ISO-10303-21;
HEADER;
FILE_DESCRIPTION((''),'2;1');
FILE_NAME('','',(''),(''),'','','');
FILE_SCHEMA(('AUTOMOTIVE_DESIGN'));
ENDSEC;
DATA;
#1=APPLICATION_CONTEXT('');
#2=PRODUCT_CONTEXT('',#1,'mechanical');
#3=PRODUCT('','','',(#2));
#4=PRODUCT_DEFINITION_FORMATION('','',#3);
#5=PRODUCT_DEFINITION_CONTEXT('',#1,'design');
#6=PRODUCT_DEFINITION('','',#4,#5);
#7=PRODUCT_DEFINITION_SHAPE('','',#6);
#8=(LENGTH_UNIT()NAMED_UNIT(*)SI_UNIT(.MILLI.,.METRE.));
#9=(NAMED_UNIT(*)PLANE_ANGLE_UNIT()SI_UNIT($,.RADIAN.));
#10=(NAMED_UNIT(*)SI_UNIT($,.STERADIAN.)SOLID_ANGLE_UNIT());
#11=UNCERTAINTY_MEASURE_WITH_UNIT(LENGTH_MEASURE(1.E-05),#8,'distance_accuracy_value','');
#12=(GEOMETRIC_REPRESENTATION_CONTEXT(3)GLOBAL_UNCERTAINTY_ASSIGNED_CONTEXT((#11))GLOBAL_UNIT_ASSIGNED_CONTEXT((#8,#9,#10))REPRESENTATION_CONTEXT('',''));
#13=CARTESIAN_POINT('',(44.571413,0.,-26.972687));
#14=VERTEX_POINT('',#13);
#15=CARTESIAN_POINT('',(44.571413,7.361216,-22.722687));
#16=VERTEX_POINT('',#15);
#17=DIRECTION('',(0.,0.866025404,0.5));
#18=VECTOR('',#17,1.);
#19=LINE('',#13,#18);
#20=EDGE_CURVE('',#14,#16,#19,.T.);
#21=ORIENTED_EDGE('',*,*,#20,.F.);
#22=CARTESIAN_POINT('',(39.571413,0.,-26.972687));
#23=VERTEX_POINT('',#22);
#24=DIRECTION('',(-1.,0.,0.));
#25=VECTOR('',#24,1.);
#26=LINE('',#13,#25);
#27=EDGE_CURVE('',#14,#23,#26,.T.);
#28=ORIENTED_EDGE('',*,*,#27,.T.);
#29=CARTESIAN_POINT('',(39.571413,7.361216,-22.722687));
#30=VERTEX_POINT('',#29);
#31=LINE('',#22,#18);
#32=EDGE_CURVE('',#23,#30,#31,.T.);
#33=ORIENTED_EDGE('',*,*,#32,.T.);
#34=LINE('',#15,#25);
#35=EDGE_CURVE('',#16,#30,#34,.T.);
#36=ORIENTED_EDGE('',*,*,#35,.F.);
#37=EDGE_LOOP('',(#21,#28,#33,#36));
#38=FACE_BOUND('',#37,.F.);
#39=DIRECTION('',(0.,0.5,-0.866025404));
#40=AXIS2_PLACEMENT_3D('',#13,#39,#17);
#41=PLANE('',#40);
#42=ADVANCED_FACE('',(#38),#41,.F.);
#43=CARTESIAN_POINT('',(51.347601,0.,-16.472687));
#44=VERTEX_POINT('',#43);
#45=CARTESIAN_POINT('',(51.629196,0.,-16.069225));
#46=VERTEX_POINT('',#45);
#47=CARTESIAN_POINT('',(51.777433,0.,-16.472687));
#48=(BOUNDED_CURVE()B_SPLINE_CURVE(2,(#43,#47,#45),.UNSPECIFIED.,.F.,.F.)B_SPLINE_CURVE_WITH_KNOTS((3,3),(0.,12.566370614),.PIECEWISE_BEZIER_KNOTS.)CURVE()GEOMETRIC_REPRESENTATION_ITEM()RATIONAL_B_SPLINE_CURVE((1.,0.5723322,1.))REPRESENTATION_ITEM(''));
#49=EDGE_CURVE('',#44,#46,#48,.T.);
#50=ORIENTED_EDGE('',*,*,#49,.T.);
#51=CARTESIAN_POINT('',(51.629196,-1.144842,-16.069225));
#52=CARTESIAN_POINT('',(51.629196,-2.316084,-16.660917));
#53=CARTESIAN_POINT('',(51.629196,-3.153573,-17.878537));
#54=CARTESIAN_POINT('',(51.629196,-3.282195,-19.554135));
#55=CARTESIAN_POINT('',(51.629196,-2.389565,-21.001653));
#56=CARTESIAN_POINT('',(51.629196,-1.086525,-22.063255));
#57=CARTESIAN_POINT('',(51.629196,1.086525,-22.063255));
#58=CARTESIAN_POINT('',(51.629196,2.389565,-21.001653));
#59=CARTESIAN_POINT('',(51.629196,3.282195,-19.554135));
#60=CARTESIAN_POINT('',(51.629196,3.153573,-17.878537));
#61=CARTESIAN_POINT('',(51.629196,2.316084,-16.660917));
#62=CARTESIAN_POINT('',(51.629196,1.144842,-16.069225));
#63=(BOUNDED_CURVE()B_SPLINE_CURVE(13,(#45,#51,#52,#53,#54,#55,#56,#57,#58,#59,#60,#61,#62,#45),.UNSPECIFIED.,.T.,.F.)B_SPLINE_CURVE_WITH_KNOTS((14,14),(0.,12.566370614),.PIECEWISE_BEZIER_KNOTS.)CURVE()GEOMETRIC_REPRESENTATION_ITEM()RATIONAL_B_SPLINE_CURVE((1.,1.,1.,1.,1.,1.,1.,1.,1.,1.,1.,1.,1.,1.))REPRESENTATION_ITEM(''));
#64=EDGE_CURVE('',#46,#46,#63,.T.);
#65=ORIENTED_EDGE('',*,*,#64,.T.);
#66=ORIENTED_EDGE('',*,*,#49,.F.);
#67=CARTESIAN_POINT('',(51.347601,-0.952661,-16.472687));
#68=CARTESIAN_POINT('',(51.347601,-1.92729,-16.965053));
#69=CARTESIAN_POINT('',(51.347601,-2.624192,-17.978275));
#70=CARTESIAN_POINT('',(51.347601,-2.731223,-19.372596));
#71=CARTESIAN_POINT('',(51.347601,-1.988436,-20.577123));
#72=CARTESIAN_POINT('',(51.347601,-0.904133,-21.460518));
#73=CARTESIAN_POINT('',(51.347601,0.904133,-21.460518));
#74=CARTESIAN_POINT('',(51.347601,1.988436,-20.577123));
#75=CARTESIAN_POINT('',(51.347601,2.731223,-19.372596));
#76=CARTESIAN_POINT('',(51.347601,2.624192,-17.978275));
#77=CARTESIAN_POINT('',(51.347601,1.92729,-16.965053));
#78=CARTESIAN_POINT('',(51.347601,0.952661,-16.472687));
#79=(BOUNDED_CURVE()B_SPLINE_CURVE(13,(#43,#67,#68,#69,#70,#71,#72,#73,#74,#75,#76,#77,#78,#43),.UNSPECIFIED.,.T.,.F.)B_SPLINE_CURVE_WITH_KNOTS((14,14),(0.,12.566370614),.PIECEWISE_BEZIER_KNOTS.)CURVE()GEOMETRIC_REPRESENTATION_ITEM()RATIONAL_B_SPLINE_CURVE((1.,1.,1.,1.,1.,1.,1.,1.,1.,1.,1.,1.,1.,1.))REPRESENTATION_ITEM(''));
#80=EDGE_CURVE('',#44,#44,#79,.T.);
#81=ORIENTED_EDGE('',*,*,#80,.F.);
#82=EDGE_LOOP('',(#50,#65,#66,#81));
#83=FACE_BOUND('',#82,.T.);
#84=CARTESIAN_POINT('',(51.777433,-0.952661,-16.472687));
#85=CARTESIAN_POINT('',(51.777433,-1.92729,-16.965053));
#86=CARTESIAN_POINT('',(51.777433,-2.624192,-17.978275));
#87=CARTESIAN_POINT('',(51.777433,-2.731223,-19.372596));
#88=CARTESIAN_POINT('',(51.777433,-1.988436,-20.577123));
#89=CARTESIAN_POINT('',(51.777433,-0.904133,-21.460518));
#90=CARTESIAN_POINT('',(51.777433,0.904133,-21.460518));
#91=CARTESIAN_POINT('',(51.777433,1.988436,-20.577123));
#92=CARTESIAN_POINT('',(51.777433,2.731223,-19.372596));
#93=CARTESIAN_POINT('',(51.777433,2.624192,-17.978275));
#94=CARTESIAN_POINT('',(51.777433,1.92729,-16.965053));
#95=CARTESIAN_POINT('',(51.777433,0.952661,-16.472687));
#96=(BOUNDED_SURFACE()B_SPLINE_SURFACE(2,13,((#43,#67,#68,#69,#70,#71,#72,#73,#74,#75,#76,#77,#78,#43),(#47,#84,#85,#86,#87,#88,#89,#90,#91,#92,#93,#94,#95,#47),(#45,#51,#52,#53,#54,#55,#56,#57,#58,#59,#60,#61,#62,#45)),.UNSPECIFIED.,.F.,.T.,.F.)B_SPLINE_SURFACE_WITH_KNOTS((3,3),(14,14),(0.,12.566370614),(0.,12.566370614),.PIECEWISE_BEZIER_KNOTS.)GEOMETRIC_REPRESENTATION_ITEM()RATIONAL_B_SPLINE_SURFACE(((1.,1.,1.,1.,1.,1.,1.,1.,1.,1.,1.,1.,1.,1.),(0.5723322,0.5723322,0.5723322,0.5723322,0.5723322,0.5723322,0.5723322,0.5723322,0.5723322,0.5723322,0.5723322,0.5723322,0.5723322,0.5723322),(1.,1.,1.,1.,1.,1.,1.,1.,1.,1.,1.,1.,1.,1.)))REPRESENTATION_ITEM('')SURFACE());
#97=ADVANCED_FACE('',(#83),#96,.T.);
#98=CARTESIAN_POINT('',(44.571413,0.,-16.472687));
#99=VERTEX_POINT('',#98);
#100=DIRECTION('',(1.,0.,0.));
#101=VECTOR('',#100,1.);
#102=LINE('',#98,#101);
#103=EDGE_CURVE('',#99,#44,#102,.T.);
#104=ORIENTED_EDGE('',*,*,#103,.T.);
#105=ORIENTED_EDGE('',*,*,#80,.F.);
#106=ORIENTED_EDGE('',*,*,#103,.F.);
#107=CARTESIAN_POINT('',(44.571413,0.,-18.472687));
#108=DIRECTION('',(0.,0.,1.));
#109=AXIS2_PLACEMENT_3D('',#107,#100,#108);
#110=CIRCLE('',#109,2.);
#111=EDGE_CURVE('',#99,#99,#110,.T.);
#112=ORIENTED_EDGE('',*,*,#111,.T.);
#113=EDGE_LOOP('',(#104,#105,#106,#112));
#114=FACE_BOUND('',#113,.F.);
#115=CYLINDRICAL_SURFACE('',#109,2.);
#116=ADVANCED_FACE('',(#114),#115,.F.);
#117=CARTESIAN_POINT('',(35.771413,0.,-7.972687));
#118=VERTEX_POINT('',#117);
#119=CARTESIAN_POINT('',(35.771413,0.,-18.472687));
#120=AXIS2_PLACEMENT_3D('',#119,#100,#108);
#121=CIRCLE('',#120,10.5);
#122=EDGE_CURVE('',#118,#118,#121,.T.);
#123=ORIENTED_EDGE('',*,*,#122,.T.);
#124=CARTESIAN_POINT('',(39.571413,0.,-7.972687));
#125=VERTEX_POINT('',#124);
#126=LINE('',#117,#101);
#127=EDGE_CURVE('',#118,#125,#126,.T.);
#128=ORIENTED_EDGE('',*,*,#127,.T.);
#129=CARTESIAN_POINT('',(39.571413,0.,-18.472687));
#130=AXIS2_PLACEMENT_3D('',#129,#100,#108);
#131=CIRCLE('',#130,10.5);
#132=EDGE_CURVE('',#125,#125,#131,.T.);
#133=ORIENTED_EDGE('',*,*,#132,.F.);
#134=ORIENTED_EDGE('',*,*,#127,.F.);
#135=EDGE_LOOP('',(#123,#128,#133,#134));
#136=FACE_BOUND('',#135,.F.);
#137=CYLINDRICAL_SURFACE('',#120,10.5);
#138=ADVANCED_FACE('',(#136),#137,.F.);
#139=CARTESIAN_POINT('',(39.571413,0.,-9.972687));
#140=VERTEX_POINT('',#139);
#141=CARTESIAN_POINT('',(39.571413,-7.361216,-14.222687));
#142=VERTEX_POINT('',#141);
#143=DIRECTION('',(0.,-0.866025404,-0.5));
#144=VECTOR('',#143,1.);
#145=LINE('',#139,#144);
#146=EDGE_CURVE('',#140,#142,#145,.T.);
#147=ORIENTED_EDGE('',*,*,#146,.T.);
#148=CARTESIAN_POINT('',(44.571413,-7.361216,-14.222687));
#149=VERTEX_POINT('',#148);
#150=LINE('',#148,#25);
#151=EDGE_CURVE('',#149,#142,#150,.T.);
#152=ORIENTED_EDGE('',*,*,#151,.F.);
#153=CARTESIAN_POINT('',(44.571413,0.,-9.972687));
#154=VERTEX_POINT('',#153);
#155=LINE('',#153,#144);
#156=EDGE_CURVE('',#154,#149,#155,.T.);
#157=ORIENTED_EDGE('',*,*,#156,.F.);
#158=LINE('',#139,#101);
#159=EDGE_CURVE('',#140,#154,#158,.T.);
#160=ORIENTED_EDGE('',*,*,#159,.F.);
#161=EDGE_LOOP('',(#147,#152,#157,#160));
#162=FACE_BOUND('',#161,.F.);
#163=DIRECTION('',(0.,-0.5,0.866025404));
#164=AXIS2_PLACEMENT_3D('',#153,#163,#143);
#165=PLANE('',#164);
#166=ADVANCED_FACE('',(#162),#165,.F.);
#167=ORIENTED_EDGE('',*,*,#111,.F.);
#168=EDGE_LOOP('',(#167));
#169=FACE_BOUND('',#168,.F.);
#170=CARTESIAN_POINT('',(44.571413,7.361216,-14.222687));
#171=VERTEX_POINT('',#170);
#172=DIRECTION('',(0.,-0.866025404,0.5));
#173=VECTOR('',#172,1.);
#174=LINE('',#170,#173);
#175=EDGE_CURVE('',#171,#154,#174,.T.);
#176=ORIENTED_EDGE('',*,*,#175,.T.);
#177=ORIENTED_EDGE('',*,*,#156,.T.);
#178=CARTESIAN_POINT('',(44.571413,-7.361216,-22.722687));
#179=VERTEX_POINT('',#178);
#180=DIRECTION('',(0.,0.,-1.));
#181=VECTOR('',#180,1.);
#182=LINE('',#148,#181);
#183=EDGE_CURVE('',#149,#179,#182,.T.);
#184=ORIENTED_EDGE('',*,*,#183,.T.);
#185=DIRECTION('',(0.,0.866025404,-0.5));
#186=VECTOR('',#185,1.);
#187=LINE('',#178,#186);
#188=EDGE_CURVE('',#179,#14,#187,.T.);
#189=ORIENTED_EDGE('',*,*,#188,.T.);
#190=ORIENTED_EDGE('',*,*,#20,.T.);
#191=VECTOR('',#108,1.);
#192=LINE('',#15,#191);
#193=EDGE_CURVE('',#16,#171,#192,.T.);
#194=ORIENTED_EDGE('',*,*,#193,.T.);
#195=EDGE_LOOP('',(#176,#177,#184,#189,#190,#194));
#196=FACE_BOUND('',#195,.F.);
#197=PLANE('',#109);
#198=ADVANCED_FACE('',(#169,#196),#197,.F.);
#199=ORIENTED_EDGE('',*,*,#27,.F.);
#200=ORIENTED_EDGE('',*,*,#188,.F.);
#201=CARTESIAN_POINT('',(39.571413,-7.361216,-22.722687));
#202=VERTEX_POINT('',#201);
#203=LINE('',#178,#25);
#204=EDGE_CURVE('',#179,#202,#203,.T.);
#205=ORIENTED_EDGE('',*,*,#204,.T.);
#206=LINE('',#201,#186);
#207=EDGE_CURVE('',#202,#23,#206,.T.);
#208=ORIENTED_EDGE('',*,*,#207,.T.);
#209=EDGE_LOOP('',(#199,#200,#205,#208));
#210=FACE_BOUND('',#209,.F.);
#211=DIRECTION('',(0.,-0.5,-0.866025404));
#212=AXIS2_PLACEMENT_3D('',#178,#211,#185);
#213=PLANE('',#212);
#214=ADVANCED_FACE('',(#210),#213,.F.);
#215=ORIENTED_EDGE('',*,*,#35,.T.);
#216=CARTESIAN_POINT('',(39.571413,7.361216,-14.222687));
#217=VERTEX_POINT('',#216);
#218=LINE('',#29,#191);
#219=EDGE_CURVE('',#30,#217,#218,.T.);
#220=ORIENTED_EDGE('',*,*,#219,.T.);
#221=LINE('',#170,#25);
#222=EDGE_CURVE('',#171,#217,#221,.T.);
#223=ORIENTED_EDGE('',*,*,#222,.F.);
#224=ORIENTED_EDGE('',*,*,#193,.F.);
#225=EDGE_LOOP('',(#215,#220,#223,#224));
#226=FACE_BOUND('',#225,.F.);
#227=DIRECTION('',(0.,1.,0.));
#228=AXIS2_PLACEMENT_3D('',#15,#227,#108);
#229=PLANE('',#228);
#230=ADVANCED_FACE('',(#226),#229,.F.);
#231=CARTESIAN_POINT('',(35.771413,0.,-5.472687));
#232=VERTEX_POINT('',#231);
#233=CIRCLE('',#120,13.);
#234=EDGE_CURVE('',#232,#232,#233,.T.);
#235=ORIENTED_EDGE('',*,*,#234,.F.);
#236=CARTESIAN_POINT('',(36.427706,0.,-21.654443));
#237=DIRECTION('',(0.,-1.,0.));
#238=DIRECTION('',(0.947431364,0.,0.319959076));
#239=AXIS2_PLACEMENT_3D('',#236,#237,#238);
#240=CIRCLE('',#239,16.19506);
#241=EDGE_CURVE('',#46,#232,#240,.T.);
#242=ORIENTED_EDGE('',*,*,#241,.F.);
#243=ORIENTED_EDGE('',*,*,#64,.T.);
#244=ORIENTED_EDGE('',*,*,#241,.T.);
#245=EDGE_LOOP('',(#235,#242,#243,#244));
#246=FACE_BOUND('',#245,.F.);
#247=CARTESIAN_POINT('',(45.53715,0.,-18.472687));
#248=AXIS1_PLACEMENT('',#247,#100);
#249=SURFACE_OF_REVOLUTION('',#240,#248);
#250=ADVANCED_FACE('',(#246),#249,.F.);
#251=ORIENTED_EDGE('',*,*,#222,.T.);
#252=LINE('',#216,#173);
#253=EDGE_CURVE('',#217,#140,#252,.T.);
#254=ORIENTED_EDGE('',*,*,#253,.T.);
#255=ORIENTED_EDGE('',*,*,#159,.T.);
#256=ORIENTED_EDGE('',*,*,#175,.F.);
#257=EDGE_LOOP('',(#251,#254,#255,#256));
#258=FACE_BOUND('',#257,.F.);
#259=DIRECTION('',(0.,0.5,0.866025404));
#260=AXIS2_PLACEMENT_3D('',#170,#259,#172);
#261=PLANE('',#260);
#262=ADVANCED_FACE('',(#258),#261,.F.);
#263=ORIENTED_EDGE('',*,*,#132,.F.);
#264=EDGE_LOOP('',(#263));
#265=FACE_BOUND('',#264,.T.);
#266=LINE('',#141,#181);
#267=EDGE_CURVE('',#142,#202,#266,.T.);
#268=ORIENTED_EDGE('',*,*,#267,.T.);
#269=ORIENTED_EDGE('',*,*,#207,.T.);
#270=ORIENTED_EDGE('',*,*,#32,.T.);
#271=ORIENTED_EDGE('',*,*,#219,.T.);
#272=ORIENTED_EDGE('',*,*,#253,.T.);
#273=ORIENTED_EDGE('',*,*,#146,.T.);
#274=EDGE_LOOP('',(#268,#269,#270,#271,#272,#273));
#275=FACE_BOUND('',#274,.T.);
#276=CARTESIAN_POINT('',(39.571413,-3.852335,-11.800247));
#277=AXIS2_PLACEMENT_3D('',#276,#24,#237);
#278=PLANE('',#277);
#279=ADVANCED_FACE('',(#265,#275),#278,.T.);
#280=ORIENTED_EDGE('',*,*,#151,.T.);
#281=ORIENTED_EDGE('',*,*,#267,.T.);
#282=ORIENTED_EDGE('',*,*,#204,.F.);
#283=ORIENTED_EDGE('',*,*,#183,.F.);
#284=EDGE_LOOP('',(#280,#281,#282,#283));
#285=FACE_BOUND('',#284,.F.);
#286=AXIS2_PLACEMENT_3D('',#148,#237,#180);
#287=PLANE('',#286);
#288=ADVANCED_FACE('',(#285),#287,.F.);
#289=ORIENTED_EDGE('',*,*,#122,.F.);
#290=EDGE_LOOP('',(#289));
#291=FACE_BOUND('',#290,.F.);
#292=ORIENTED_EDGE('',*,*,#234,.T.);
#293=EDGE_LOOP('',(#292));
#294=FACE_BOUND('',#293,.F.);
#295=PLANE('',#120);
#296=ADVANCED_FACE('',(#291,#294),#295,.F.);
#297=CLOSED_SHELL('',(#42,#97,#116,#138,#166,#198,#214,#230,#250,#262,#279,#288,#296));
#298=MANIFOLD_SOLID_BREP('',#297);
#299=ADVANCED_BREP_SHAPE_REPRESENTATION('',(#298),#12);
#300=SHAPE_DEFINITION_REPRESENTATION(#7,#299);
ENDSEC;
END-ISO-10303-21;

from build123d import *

# Parameters (mm, degrees)
F2_R     = 0.3
F4_DEPTH = 5


with BuildPart() as f1:
    # F0 (on Front) → F1 (revolve)
    with BuildSketch(Plane.XZ):
        with BuildLine():
            Line((44.5714133582, -16.4726869262), (51.7714133582, -16.4726869262))
            ThreePointArc((51.7714133582, -16.4726869262), (45.6026739754, -8.3090351195), (35.7714133582, -5.4726869262))
            Line((35.7714133582, -5.4726869262), (35.7714133582, -7.9726869262))
            Line((35.7714133582, -7.9726869262), (39.5714133582, -7.9726869262))
            Line((39.5714133582, -7.9726869262), (39.5714133582, -9.9726869262))
            Line((39.5714133582, -9.9726869262), (44.5714133582, -9.9726869262))
            Line((44.5714133582, -9.9726869262), (44.5714133582, -16.4726869262))
        make_face()
    revolve(axis=Axis((45.5371495336, 0, -18.4726869262), (1, 0, 0)))

    # F2
    f2_edges = [f1.edges().sort_by_distance(p)[0] for p in [
        (51.771413, 0, -20.472687),
    ]]
    fillet(f2_edges, radius=F2_R)

    # F3 (on face) → F4 (join)
    with BuildSketch(Plane(origin=(44.5714133582, 0, 0), x_dir=(0, -1, 0), z_dir=(-1, 0, 0))):
        with BuildLine():
            Line((0, -9.9726869262), (7.3612159322, -14.2226869262))
            ThreePointArc((7.3612159322, -14.2226869262), (4.25, -11.1114709941), (0, -9.9726869262))
        make_face()
        with BuildLine():
            Line((-7.3612159322, -14.2226869262), (0, -9.9726869262))
            ThreePointArc((0, -9.9726869262), (-4.25, -11.1114709941), (-7.3612159322, -14.2226869262))
        make_face()
        with BuildLine():
            Line((-7.3612159322, -22.7226869262), (-7.3612159322, -14.2226869262))
            ThreePointArc((-7.3612159322, -14.2226869262), (-8.5, -18.4726869262), (-7.3612159322, -22.7226869262))
        make_face()
        with BuildLine():
            ThreePointArc((-7.3612159322, -22.7226869262), (-4.25, -25.8339028584), (0, -26.9726869262))
            Line((0, -26.9726869262), (-7.3612159322, -22.7226869262))
        make_face()
        with BuildLine():
            ThreePointArc((0, -26.9726869262), (4.25, -25.8339028584), (7.3612159322, -22.7226869262))
            Line((7.3612159322, -22.7226869262), (0, -26.9726869262))
        make_face()
        with BuildLine():
            ThreePointArc((7.3612159322, -22.7226869262), (8.2103695235, -20.6726488096), (8.5, -18.4726869262))
            ThreePointArc((8.5, -18.4726869262), (8.2103695235, -16.2727250429), (7.3612159322, -14.2226869262))
            Line((7.3612159322, -14.2226869262), (7.3612159322, -22.7226869262))
        make_face()
    extrude(amount=F4_DEPTH)


solid = f1.part
